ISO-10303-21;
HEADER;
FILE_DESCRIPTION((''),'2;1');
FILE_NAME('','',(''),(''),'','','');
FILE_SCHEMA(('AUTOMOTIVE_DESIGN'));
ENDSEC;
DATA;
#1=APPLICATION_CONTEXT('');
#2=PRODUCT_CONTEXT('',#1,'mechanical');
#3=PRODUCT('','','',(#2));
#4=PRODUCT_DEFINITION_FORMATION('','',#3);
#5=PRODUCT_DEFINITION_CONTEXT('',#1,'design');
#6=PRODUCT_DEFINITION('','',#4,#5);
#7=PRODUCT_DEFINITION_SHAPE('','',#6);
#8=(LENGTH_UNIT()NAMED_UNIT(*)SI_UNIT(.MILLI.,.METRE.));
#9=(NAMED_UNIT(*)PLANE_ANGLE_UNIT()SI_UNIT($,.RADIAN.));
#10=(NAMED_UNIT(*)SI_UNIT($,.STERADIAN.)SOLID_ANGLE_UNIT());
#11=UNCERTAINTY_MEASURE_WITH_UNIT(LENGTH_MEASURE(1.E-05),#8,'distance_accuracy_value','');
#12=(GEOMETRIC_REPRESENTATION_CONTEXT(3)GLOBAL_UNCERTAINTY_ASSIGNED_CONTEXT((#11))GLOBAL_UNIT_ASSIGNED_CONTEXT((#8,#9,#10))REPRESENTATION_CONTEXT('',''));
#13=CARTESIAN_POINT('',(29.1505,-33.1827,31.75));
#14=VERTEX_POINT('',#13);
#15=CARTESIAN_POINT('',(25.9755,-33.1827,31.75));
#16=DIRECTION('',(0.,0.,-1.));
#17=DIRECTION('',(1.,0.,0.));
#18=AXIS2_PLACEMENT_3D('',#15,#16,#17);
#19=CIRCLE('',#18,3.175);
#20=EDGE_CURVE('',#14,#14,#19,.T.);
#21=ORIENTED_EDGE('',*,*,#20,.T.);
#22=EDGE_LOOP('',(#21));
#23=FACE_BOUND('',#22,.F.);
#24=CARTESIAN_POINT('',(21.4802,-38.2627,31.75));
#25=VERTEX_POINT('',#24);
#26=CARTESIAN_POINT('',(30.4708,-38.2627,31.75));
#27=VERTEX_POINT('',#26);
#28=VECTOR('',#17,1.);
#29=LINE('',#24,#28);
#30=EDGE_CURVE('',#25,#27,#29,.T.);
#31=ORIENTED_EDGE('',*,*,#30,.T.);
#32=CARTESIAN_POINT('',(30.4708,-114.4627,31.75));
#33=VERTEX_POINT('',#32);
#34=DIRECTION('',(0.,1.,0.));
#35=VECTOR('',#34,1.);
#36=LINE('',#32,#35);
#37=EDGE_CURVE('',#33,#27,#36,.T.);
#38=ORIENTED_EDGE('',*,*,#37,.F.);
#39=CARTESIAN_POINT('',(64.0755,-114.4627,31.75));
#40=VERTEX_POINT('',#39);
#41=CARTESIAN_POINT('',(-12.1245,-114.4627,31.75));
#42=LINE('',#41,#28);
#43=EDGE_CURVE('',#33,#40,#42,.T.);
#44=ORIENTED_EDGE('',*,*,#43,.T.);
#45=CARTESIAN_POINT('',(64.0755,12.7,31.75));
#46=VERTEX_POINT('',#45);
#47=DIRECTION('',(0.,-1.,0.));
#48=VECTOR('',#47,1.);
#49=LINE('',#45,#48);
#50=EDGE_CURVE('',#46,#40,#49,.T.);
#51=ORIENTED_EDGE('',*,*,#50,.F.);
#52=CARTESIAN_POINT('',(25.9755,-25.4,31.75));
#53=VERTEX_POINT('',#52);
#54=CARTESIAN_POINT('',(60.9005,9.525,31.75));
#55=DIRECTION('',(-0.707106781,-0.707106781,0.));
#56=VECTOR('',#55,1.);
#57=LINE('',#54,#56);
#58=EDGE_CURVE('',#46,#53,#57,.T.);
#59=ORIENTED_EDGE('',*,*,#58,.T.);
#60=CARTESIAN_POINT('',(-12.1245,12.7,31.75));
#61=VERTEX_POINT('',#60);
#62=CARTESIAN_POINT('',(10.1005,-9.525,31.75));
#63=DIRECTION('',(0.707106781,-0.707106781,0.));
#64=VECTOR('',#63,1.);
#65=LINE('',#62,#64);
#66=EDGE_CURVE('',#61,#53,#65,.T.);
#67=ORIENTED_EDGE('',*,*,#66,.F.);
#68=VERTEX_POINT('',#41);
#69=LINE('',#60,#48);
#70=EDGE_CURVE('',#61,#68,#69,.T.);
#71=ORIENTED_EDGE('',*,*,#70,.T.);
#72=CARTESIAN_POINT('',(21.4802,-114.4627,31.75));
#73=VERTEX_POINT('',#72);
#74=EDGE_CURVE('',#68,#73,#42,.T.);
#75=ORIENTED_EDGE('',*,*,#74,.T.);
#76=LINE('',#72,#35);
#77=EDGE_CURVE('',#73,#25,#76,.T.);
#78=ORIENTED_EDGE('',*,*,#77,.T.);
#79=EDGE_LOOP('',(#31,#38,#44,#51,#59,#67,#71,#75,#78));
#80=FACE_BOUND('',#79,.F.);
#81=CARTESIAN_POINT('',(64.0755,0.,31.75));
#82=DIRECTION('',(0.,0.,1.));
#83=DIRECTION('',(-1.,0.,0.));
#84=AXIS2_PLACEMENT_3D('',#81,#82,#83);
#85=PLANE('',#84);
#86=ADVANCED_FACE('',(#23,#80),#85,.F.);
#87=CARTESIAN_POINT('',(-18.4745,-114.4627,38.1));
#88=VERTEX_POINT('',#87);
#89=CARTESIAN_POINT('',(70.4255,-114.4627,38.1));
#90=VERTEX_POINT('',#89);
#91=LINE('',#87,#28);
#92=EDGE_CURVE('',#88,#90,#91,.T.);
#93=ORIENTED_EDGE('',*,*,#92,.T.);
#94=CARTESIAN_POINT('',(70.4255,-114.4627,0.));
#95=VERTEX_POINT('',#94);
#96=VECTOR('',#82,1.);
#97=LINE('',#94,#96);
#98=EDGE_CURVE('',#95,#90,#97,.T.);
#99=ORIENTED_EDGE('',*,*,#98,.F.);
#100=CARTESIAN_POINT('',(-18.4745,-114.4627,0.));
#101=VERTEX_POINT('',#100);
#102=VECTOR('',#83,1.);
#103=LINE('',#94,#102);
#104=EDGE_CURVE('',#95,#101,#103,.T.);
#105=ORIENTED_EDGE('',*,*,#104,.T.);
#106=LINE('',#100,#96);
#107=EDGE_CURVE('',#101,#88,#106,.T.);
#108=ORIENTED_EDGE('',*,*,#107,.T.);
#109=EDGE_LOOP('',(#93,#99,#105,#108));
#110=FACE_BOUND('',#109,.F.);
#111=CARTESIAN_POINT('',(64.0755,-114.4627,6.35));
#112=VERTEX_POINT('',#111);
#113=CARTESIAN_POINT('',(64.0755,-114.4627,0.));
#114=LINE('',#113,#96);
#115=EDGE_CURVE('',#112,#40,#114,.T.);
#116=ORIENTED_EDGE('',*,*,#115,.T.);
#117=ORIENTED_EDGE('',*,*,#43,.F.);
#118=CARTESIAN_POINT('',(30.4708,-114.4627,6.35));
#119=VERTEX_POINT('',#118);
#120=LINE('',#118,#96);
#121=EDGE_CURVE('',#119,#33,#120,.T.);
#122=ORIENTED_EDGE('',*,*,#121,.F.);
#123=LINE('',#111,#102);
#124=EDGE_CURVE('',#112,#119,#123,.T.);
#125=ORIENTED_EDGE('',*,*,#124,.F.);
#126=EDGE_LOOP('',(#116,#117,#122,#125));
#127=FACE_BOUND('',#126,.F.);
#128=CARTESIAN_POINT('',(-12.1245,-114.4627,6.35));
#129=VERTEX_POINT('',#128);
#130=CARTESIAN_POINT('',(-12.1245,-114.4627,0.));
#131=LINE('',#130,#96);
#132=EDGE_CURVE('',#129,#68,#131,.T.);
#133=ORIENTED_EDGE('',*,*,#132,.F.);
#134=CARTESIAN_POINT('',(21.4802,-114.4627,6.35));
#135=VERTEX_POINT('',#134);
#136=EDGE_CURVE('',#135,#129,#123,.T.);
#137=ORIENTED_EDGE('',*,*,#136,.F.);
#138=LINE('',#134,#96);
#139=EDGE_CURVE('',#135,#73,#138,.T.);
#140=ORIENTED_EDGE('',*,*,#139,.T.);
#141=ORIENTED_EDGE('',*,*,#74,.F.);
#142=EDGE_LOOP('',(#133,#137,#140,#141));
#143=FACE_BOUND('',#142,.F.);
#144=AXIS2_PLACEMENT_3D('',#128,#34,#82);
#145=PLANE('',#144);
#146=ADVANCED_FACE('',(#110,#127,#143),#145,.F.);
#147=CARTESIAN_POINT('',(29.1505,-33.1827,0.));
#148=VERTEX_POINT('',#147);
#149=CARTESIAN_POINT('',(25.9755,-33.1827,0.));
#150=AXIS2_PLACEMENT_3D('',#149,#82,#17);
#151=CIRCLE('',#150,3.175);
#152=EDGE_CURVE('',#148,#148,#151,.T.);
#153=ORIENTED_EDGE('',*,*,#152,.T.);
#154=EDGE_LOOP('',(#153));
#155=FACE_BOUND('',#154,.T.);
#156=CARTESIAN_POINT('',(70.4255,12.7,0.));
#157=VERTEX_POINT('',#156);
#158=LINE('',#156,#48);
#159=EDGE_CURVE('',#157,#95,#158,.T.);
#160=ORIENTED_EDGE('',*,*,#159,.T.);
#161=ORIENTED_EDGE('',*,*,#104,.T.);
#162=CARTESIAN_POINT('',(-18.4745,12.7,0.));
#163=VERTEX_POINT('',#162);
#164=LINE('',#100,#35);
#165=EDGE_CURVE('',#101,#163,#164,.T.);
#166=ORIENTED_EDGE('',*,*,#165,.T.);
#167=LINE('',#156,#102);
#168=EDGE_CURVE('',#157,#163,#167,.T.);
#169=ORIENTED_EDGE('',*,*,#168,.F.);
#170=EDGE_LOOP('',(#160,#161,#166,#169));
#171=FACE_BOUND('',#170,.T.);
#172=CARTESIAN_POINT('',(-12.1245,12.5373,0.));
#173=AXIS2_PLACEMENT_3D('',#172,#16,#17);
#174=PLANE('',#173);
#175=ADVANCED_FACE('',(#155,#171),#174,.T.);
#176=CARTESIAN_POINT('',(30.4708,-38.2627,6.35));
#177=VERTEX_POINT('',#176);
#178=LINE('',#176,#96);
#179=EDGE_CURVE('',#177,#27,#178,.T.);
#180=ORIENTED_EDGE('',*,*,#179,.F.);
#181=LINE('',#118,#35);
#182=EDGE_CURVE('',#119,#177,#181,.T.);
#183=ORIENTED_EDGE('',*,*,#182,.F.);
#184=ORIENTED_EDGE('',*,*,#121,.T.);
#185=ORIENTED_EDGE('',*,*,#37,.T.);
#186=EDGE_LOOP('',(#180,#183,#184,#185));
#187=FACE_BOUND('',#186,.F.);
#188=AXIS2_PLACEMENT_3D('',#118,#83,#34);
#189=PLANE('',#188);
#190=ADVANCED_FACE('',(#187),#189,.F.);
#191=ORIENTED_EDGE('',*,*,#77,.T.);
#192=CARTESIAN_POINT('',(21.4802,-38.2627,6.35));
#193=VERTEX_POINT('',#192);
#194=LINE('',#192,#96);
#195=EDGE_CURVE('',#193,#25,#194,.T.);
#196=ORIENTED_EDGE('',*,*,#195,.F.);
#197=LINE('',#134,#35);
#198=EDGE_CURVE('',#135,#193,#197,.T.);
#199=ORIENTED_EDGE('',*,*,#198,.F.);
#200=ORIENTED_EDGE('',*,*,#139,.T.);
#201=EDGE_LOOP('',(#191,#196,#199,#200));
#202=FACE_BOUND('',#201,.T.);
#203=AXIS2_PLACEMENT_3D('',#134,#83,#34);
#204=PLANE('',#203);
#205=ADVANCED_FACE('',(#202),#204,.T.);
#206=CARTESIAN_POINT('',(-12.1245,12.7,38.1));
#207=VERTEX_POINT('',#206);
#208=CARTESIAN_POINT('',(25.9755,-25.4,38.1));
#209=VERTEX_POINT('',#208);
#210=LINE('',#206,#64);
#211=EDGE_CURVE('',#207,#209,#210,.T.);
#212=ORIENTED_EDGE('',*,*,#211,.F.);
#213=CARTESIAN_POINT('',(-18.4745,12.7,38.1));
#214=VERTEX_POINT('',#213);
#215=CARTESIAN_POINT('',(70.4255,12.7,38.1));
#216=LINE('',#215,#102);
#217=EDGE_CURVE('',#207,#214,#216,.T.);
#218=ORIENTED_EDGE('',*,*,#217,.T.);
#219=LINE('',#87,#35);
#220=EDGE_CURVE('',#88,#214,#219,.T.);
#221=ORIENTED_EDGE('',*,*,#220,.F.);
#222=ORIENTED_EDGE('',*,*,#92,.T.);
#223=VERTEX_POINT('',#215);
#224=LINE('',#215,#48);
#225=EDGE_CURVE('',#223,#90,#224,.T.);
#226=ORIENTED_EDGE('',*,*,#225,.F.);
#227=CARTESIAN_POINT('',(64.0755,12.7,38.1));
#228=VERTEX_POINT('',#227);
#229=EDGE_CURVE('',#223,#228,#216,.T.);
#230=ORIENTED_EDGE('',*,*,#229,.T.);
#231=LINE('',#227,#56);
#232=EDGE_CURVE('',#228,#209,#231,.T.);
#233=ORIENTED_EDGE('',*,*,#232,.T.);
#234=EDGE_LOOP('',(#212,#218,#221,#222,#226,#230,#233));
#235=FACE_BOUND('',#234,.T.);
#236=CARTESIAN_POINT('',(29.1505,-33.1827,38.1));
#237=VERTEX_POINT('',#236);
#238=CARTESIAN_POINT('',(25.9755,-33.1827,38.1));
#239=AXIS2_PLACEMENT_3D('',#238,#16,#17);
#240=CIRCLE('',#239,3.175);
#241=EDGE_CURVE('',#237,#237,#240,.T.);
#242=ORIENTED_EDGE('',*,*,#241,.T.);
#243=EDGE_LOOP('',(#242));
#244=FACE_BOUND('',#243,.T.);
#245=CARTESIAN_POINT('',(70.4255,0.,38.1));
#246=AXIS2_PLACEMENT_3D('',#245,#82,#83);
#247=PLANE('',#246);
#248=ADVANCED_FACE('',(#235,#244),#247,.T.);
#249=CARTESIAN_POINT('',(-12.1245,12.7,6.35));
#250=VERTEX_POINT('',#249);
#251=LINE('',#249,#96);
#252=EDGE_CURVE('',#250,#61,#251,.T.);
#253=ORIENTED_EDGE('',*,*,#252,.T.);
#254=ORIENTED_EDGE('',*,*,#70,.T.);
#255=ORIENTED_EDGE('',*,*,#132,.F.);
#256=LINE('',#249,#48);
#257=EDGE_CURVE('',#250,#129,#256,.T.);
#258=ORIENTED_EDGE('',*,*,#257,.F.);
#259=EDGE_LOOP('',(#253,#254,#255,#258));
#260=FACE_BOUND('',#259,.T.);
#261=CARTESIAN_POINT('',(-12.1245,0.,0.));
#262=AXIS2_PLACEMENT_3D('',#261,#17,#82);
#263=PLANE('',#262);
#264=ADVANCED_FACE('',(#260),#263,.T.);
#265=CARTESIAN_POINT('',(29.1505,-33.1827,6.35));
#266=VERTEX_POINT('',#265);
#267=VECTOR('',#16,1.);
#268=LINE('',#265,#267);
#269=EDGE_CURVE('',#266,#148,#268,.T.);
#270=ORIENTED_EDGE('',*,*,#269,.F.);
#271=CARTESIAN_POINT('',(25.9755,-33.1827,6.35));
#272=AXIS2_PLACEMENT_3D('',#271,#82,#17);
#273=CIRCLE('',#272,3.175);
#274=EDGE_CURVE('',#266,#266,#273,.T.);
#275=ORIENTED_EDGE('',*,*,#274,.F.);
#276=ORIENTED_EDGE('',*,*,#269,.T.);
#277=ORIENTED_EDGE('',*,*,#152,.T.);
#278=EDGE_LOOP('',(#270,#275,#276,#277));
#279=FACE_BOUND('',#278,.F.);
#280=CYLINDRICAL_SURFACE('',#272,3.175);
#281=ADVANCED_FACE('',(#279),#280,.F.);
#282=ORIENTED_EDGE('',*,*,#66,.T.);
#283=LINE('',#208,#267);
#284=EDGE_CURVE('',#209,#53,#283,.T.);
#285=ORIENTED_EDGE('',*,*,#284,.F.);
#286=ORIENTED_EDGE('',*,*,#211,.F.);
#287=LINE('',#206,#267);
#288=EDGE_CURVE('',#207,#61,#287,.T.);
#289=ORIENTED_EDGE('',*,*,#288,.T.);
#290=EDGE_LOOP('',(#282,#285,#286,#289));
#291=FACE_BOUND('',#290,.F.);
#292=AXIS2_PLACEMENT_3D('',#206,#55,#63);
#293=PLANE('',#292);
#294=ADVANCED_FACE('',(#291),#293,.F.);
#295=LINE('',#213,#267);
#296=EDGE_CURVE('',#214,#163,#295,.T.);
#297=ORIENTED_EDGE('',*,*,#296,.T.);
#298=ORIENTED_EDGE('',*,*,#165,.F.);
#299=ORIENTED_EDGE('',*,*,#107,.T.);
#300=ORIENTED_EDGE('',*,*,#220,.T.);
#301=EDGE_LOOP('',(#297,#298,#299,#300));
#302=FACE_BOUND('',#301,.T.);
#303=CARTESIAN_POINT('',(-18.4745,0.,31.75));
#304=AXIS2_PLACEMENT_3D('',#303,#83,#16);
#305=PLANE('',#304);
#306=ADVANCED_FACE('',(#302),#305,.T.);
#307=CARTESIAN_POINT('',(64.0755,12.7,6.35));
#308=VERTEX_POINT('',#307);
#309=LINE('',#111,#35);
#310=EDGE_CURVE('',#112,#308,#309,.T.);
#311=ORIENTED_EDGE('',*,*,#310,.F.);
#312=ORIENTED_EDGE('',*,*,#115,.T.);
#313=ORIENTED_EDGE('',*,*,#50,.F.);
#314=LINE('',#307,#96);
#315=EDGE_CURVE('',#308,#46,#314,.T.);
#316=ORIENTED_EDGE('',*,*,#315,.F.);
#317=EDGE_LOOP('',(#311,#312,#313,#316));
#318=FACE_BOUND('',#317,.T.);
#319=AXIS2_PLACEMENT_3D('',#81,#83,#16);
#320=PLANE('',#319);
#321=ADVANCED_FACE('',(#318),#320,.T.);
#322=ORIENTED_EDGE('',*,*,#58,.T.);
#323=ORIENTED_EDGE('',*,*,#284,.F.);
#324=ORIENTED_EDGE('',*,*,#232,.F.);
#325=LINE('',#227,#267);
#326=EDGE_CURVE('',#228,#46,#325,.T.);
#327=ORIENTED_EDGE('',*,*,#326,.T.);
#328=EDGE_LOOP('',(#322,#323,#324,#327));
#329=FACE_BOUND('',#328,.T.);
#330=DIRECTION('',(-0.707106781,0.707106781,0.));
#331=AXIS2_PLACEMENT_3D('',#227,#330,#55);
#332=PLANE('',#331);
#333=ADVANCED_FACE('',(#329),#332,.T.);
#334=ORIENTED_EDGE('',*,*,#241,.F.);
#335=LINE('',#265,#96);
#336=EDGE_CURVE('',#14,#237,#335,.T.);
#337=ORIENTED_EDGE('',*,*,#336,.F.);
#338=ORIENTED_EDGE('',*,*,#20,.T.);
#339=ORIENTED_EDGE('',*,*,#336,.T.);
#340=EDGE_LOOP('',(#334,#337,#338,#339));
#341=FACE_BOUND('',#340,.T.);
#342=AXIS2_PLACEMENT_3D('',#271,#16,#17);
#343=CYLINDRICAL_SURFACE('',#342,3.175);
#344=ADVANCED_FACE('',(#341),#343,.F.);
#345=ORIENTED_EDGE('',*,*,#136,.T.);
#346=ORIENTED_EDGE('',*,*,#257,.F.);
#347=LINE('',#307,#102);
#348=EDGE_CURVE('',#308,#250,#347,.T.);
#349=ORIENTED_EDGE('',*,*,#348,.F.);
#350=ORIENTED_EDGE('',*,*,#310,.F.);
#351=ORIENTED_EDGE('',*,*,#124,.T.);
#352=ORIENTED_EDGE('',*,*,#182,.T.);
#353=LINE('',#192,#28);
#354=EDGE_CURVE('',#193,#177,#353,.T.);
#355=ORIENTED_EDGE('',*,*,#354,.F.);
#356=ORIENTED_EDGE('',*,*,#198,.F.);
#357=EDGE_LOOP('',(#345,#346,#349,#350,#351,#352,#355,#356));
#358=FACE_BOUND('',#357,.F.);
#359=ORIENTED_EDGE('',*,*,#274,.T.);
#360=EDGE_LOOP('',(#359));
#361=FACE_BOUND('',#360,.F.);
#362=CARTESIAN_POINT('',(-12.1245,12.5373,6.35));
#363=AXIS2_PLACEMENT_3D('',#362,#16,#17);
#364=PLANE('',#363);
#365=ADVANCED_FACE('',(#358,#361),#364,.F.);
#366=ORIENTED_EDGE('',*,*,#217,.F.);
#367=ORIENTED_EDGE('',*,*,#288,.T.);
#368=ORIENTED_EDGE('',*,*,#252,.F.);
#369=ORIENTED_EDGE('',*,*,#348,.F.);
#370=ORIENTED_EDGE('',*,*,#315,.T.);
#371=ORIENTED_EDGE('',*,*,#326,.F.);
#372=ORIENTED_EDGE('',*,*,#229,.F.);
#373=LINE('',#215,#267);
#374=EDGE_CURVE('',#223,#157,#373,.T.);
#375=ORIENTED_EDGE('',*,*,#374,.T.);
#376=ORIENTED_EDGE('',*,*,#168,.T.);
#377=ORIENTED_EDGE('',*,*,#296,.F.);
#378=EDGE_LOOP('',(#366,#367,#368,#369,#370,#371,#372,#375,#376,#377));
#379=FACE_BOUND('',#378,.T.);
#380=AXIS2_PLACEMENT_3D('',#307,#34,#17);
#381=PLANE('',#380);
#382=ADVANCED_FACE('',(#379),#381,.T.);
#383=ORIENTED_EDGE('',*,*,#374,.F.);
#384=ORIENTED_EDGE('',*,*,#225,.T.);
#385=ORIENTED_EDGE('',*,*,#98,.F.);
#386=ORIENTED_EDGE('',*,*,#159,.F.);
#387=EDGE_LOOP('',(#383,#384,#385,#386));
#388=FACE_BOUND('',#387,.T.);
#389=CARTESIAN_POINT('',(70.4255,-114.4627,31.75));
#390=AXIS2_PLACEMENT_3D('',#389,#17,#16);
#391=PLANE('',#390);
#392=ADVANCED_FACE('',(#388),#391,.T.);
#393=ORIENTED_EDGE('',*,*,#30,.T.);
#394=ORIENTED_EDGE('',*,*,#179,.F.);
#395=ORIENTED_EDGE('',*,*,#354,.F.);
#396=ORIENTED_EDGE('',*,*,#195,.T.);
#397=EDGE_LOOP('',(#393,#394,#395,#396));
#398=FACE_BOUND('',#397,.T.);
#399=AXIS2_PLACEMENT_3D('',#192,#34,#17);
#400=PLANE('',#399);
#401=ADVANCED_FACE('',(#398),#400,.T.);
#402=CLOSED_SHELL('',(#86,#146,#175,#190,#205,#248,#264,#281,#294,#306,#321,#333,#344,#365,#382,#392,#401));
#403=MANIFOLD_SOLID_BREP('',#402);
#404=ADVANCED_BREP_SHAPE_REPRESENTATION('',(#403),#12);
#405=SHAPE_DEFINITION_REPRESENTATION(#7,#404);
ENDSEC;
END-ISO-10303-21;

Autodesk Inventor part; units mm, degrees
ref_plane "YZ Plane" through (0, 0, 0) normal (1, 0, 0) x (0, 1, 0)
ref_plane "XZ Plane" through (0, 0, 0) normal (0, 1, 0) x (-1, 0, 0)
ref_plane "XY Plane" through (0, 0, 0) normal (0, 0, 1) x (1, 0, 0)
sketch "Sketch1" plane through (0, 0, 0) normal (0, 0, 1) x (1, 0, 0)
  line L0 (-12.1245, 12.5373) -> (64.0755, 12.5373)
  line L1 (64.0755, 12.5373) -> (64.0755, -114.4627)
  line L2 (64.0755, -114.4627) -> (-12.1245, -114.4627)
  line L3 (-12.1245, -114.4627) -> (-12.1245, 12.5373)
  point P0 (0, 0)
  dimension "d0" = 76.2
  dimension "d1" = 127
extrude "Extrusion1" add sketch "Sketch1" along normal blind 6.35
sketch "Sketch2" plane through (0, 0, 6.35) normal (0, 0, 1) x (1, 0, 0)
  line L0 (-12.1245, -114.4627) -> (64.0755, -114.4627) projected
  line L1 (25.9755, -114.4627) -> (25.9755, 12.062) construction
  line L2 (21.4802, -114.4627) -> (21.4802, -38.2627)
  line L3 (30.4708, -114.4627) -> (30.4708, -38.2627)
  line L4 (21.4802, -38.2627) -> (30.4708, -38.2627)
  line L5 (21.4802, -114.4627) -> (30.4708, -114.4627)
  point P0 (0, 0)
  dimension "d4" = 76.2
extrude "Extrusion2" add sketch "Sketch2" along normal blind 25.4
sketch "Sketch3" plane through (0, 0, 31.75) normal (0, 0, 1) x (1, 0, 0)
  line L0 (64.0755, -114.4627) -> (64.0755, 12.5373) projected
  line L1 (-12.1245, -114.4627) -> (64.0755, -114.4627)
  line L2 (64.0755, -114.4627) -> (64.0755, 0)
  line L3 (64.0755, 0) -> (-12.1245, 0)
  line L4 (-12.1245, 0) -> (-12.1245, -114.4627)
  point P0 (0, 0)
extrude "Extrusion3" add sketch "Sketch3" along normal blind 6.35
sketch "Sketch4" plane through (0, 0, 31.75) normal (0, 0, -1) x (-1, 0, 0)
  point P0 (0, 0)
sketch "Sketch5" plane through (0, 0, 6.35) normal (0, 0, 1) x (1, 0, 0)
  line L0 (21.4802, -38.2627) -> (30.4708, -38.2627) projected
  line L1 (25.9755, -38.2627) -> (25.9755, -33.1827) construction
  circle A0 centre (25.9755, -33.1827) radius 3.175
  point P0 (0, 0)
  dimension "d9" = 5.08
  dimension "d10" = 6.35
extrude "Extrusion4" cut sketch "Sketch5" along normal mid plane 76.2
sketch "Sketch6" plane through (64.0755, -114.4627, 31.75) normal (1, 0, 0) x (0, 0, -1)
  line L0 (31.75, 127) -> (31.75, 0) projected
  line L1 (-6.35, 114.4627) -> (31.75, 114.4627)
  line L2 (31.75, 114.4627) -> (31.75, 0)
  line L3 (31.75, 0) -> (-6.35, 0)
  line L4 (-6.35, 0) -> (-6.35, 114.4627)
extrude "Extrusion5" add sketch "Sketch6" along normal blind 6.35
sketch "Sketch7" plane through (-12.1245, -114.4627, 31.75) normal (-1, 0, 0) x (0, 0, 1)
  line L0 (0, 114.4627) -> (6.35, 114.4627) projected
  line L1 (-31.75, 0) -> (-25.4, 0) projected
  line L2 (6.35, 114.4627) -> (-31.75, 114.4627)
  line L3 (-31.75, 114.4627) -> (-31.75, 0)
  line L4 (-31.75, 0) -> (6.35, 0)
  line L5 (6.35, 0) -> (6.35, 114.4627)
extrude "Extrusion6" add sketch "Sketch7" along normal blind 6.35
sketch "Sketch8" plane through (64.0755, 0, 31.75) normal (0, 1, 0) x (1, 0, 0)
  line L0 (-82.55, 31.75) -> (6.35, 31.75) projected
  line L1 (0, 0) -> (-76.2, 0) projected
  line L2 (-82.55, 31.75) -> (-76.2, 31.75)
  line L3 (-76.2, 31.75) -> (-76.2, 0)
  line L4 (-82.55, 0) -> (-82.55, 31.75)
  line L5 (6.35, 31.75) -> (6.35, -6.35) projected
  line L6 (-76.2, 0) -> (0, 0)
  line L7 (6.35, 0) -> (6.35, -6.35)
  line L8 (6.35, -6.35) -> (-82.55, -6.35)
  line L9 (-82.55, -6.35) -> (-82.55, 0)
  line L10 (0, 31.75) -> (0, 25.4) projected
  line L11 (0, 0) -> (0, 31.75)
  line L12 (0, 31.75) -> (6.35, 31.75)
  line L13 (6.35, 31.75) -> (6.35, 0)
  point P0 (-64.0755, 31.75)
extrude "Extrusion7" add sketch "Sketch8" along normal blind 12.7 contours L0 L3 L1 L11 L10 L5 L8 L9 L4
sketch "Sketch9" plane through (64.0755, 12.5373, 6.35) normal (0, 1, 0) x (1, 0, 0)
  line L0 (-76.2, 0) -> (-42.5953, 0) projected
  line L1 (-82.55, 6.35) -> (6.35, 6.35) projected
  line L2 (-76.2, 0) -> (0.0054, 0)
  line L3 (0.0054, 0) -> (0.0054, 6.35)
  line L4 (0.0054, 6.35) -> (-76.2, 6.35)
  line L5 (-76.2, 6.35) -> (-76.2, 0)
  point P0 (-64.0755, 6.35)
extrude "Extrusion8" add sketch "Sketch9" along normal up to surface (0.1627 mm away)
sketch "Sketch10" plane through (0, 0, 38.1) normal (0, 0, 1) x (1, 0, 0)
  line L0 (64.0755, 12.7) -> (-12.1245, 12.7) construction
  line L1 (64.0755, -114.4627) -> (64.0755, 12.7) projected
  line L2 (-12.1245, 12.7) -> (64.0755, 12.7) construction
  line L3 (64.0755, 12.7) -> (64.0755, -63.5) construction
  line L4 (64.0755, -63.5) -> (-12.1245, -63.5) construction
  line L5 (-12.1245, -63.5) -> (-12.1245, 12.7) construction
  line L6 (-12.1245, 12.7) -> (25.9755, -25.4)
  line L7 (64.0755, 12.7) -> (25.9755, -25.4)
  line L8 (-12.1245, -114.4627) -> (-12.1245, 12.7) projected
  line L9 (-12.1245, 12.7) -> (64.0755, 12.7)
  point P0 (0, 0)
  dimension "d21" = 76.2
extrude "Extrusion9" cut sketch "Sketch10" against normal blind 25.4
properties part number "ENGR131 KC Design" material "Concrete Masonry Units"
